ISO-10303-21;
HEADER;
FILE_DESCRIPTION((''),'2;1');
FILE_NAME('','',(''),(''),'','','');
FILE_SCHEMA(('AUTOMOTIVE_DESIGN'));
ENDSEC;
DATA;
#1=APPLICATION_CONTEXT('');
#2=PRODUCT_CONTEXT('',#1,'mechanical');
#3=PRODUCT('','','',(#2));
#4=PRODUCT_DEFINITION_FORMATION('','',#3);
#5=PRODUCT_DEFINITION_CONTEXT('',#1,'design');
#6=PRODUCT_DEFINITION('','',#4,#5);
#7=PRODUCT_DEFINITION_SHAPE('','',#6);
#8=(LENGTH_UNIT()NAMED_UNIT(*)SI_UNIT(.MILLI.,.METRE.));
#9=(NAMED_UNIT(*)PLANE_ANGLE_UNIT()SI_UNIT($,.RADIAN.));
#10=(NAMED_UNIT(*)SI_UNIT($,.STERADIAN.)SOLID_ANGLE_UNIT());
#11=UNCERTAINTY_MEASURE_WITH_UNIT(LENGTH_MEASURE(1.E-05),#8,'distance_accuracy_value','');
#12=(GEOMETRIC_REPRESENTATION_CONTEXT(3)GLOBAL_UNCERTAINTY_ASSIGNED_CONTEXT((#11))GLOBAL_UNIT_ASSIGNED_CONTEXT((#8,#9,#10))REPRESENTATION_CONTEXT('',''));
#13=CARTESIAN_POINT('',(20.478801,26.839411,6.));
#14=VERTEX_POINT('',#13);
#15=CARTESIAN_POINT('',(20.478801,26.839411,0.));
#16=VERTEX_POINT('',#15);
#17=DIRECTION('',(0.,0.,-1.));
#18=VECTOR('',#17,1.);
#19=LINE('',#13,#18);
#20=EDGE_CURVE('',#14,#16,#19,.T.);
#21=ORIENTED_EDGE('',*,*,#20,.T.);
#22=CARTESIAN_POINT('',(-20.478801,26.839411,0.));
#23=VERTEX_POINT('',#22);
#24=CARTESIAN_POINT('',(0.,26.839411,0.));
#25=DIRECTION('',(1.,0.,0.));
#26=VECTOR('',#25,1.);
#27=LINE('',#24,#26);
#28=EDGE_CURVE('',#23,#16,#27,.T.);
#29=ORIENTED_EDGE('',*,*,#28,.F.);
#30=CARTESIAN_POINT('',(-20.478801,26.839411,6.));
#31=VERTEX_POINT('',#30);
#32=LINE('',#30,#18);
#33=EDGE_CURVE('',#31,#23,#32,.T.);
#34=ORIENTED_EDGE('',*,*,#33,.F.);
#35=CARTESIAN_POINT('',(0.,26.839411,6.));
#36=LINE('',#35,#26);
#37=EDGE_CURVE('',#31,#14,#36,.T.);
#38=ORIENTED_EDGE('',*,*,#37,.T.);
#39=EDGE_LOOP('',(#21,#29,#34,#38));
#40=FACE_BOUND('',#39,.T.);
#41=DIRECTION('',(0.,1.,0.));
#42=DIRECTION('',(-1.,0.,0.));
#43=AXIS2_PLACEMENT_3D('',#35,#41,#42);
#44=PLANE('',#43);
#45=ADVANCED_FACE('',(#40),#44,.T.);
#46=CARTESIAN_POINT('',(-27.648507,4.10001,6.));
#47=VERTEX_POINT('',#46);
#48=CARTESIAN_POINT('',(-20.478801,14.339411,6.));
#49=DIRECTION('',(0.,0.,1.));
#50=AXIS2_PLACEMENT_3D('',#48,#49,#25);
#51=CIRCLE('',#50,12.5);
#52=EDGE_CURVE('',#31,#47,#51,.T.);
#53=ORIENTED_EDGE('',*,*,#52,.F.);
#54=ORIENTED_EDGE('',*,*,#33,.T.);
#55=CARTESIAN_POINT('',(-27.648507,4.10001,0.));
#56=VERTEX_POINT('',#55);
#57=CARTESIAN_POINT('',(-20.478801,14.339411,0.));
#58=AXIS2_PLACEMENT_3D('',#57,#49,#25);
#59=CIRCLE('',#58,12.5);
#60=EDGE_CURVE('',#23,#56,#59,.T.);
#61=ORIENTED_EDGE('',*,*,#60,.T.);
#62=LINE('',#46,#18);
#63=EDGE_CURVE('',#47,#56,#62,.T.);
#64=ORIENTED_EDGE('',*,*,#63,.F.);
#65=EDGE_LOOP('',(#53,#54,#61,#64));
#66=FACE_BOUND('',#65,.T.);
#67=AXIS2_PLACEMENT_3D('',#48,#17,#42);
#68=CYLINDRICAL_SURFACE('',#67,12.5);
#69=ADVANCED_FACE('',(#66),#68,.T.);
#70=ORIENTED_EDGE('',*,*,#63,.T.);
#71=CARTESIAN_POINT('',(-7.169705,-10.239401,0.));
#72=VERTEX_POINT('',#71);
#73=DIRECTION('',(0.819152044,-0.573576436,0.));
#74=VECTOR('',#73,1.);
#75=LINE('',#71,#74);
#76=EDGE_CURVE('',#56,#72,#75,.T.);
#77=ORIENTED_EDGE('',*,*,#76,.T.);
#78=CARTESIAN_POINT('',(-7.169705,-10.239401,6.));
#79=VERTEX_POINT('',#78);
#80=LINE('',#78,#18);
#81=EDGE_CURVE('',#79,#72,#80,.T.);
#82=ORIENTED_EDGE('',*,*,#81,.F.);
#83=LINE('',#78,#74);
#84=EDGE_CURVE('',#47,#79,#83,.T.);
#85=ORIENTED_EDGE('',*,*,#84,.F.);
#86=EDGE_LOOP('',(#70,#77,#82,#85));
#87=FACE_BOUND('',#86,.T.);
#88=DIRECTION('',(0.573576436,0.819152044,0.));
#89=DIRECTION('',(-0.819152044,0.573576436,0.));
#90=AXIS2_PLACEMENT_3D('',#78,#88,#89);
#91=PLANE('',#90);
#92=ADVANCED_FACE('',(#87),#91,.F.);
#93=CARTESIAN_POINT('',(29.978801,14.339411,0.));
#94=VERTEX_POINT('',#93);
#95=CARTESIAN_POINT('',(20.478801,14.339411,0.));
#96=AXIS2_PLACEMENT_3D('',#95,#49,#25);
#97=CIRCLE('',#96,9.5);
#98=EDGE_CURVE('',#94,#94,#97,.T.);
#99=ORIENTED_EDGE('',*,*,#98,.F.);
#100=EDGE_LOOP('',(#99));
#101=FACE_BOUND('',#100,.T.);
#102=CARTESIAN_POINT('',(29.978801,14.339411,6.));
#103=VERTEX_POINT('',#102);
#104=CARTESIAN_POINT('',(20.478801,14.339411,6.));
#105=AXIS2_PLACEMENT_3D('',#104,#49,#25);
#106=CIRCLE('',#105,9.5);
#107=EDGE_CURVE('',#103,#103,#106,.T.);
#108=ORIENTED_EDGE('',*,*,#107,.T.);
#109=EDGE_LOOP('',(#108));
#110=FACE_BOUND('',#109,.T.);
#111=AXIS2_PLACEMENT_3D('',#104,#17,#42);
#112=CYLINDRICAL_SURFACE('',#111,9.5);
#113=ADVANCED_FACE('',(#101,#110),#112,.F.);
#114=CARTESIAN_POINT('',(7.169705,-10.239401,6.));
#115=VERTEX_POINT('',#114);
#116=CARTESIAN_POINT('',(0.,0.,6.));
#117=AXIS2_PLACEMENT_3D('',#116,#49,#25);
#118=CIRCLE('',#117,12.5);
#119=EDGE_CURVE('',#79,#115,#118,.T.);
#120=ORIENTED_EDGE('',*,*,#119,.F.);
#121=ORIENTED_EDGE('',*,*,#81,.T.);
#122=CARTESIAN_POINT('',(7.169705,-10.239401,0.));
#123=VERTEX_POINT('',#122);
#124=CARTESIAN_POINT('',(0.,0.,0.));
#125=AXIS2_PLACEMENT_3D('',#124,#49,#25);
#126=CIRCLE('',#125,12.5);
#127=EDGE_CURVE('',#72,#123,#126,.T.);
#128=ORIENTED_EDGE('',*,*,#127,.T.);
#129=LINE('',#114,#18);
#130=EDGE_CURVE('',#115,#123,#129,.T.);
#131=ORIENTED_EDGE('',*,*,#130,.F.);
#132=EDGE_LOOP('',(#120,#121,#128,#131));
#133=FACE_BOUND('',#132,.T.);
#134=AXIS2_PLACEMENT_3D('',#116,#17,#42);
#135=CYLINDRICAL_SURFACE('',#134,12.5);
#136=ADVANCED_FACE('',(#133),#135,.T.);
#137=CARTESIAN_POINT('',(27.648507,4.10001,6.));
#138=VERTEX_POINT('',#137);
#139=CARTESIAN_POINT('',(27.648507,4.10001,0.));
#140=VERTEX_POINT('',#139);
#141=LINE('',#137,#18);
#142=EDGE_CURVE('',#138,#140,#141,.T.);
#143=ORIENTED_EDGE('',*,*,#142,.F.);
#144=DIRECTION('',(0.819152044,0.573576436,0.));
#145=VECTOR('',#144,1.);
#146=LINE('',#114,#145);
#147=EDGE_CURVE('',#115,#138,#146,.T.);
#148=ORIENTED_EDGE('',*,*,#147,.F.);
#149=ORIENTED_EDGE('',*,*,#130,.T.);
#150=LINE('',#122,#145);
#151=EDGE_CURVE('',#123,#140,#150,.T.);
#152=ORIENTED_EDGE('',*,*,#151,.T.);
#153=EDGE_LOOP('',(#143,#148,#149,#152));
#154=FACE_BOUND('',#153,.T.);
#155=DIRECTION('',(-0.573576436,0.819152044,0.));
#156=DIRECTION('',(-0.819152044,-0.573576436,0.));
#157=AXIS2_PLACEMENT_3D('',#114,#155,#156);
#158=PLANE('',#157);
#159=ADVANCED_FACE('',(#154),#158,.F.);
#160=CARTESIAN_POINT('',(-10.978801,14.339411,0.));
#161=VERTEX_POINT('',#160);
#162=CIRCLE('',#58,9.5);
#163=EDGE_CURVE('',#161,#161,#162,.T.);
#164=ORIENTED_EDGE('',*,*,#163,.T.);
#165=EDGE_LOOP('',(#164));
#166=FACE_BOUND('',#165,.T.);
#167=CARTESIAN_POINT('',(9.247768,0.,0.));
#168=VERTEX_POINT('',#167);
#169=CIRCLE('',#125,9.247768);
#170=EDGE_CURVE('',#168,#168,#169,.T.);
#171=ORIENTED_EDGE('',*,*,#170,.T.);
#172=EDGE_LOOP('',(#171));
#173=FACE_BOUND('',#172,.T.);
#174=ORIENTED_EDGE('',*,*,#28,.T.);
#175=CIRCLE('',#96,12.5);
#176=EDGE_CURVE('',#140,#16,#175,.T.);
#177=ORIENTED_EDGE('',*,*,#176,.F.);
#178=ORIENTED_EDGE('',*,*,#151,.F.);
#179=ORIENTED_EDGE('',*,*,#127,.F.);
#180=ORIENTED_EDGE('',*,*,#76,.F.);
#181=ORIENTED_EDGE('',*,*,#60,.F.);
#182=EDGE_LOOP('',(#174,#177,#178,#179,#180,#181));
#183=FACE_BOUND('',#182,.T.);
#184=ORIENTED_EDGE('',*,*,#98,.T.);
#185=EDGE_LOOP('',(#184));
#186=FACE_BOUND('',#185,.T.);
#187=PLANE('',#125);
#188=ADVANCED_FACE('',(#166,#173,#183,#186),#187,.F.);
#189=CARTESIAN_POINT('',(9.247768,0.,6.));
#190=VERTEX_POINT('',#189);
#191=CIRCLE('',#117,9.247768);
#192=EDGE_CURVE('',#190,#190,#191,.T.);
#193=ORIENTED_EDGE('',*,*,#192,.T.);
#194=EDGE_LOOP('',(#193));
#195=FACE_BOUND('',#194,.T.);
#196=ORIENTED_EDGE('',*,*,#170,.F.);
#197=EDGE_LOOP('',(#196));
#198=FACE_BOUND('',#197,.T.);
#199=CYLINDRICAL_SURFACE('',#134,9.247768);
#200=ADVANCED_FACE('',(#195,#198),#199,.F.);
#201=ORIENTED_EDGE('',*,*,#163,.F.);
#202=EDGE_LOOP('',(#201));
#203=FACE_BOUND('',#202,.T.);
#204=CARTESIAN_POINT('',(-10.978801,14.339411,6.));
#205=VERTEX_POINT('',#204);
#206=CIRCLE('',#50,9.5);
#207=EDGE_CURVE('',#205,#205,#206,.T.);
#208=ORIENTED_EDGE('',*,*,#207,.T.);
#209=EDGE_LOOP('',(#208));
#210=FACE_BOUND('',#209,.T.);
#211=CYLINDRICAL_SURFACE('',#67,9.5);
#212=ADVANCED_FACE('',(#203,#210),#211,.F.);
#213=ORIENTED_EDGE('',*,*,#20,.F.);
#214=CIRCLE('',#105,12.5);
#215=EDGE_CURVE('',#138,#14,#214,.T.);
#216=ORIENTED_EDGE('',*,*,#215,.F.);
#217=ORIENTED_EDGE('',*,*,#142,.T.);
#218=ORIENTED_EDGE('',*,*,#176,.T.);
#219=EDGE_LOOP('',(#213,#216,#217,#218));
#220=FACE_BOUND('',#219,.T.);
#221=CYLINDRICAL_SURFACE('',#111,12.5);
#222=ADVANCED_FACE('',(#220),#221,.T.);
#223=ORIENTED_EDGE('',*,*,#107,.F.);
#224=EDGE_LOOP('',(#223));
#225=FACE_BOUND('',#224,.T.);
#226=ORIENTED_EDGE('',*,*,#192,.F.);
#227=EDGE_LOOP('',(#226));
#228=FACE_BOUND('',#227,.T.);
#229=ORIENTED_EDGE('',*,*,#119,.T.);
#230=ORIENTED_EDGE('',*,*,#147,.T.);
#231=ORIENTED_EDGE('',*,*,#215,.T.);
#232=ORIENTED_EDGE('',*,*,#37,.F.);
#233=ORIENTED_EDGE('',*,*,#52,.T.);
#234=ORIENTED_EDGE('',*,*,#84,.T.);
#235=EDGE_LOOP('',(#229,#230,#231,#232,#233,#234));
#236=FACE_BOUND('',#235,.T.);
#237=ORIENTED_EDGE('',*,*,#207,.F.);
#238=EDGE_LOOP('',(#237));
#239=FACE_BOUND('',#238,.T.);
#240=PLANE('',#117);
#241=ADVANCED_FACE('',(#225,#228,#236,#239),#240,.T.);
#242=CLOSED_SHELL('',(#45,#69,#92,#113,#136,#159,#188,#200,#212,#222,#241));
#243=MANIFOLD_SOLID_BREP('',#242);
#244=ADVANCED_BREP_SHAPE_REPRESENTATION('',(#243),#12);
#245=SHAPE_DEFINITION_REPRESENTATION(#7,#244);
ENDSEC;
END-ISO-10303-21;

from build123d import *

# Parameters (mm, degrees)
CROQUIS1_R              = 12.5
CROQUIS1_R_2            = 9.247768435
CROQUIS1_R_3            = 9.5
SALIENTE_EXTRUIR1_DEPTH = 6


with BuildPart() as part:
    # Croquis1 → Saliente-Extruir1 (new body)
    # profile 1 of 6: a face of its own
    with BuildSketch(Plane.XY):
        with BuildLine():
            Line((20.478801107, 26.839410909), (-20.478801107, 26.839410909))
            ThreePointArc((-20.478801107, 26.839410909), (-11.639966342, 23.178245674), (-7.978801107, 14.339410909))
            ThreePointArc((-7.978801107, 14.339410909), (-8.557339261, 10.580588295), (-10.239400698, 7.169705249))
            ThreePointArc((-10.239400698, 7.169705249), (-6.8e-08, 12.5), (10.239400619, 7.169705361))
            ThreePointArc((10.239400619, 7.169705361), (9.391165666, 20.111268523), (20.478801107, 26.839410909))
        make_face()
    # profile 2 of 6: a face of its own
    with BuildSketch(Plane.XY):
        with BuildLine():
            ThreePointArc((-10.239400698, 7.169705249), (-18.30819901, 2.029313974), (-27.648506562, 4.100010355))
            Line((-27.648506562, 4.100010355), (-7.169705454, -10.239400554))
            ThreePointArc((-7.169705454, -10.239400554), (-12.310096891, -2.170602344), (-10.239400698, 7.169705249))
        make_face()
    # profile 3 of 6: a face of its own
    with BuildSketch(Plane.XY):
        with BuildLine():
            ThreePointArc((27.648506562, 4.100010355), (18.308198943, 2.029313986), (10.239400619, 7.169705361))
            ThreePointArc((10.239400619, 7.169705361), (11.921461902, 3.758822439), (12.5, 0))
            ThreePointArc((12.5, 0), (11.087635415, -5.771857665), (7.169705454, -10.239400554))
            Line((7.169705454, -10.239400554), (27.648506562, 4.100010355))
        make_face()
    # profile 4 of 6: a face of its own
    with BuildSketch(Plane.XY):
        Circle(CROQUIS1_R)
        Circle(CROQUIS1_R_2, mode=Mode.SUBTRACT)
    # profile 5 of 6: a face of its own
    with BuildSketch(Plane.XY):
        with Locations((-20.478801107, 14.339410909)):
            Circle(CROQUIS1_R)
        with Locations((-20.478801107, 14.339410909)):
            Circle(CROQUIS1_R_3, mode=Mode.SUBTRACT)
    # profile 6 of 6: a face of its own
    with BuildSketch(Plane.XY):
        with Locations((20.478801107, 14.339410909)):
            Circle(CROQUIS1_R)
        with Locations((20.478801107, 14.339410909)):
            Circle(CROQUIS1_R_3, mode=Mode.SUBTRACT)
    extrude(amount=SALIENTE_EXTRUIR1_DEPTH)


solid = part.part
